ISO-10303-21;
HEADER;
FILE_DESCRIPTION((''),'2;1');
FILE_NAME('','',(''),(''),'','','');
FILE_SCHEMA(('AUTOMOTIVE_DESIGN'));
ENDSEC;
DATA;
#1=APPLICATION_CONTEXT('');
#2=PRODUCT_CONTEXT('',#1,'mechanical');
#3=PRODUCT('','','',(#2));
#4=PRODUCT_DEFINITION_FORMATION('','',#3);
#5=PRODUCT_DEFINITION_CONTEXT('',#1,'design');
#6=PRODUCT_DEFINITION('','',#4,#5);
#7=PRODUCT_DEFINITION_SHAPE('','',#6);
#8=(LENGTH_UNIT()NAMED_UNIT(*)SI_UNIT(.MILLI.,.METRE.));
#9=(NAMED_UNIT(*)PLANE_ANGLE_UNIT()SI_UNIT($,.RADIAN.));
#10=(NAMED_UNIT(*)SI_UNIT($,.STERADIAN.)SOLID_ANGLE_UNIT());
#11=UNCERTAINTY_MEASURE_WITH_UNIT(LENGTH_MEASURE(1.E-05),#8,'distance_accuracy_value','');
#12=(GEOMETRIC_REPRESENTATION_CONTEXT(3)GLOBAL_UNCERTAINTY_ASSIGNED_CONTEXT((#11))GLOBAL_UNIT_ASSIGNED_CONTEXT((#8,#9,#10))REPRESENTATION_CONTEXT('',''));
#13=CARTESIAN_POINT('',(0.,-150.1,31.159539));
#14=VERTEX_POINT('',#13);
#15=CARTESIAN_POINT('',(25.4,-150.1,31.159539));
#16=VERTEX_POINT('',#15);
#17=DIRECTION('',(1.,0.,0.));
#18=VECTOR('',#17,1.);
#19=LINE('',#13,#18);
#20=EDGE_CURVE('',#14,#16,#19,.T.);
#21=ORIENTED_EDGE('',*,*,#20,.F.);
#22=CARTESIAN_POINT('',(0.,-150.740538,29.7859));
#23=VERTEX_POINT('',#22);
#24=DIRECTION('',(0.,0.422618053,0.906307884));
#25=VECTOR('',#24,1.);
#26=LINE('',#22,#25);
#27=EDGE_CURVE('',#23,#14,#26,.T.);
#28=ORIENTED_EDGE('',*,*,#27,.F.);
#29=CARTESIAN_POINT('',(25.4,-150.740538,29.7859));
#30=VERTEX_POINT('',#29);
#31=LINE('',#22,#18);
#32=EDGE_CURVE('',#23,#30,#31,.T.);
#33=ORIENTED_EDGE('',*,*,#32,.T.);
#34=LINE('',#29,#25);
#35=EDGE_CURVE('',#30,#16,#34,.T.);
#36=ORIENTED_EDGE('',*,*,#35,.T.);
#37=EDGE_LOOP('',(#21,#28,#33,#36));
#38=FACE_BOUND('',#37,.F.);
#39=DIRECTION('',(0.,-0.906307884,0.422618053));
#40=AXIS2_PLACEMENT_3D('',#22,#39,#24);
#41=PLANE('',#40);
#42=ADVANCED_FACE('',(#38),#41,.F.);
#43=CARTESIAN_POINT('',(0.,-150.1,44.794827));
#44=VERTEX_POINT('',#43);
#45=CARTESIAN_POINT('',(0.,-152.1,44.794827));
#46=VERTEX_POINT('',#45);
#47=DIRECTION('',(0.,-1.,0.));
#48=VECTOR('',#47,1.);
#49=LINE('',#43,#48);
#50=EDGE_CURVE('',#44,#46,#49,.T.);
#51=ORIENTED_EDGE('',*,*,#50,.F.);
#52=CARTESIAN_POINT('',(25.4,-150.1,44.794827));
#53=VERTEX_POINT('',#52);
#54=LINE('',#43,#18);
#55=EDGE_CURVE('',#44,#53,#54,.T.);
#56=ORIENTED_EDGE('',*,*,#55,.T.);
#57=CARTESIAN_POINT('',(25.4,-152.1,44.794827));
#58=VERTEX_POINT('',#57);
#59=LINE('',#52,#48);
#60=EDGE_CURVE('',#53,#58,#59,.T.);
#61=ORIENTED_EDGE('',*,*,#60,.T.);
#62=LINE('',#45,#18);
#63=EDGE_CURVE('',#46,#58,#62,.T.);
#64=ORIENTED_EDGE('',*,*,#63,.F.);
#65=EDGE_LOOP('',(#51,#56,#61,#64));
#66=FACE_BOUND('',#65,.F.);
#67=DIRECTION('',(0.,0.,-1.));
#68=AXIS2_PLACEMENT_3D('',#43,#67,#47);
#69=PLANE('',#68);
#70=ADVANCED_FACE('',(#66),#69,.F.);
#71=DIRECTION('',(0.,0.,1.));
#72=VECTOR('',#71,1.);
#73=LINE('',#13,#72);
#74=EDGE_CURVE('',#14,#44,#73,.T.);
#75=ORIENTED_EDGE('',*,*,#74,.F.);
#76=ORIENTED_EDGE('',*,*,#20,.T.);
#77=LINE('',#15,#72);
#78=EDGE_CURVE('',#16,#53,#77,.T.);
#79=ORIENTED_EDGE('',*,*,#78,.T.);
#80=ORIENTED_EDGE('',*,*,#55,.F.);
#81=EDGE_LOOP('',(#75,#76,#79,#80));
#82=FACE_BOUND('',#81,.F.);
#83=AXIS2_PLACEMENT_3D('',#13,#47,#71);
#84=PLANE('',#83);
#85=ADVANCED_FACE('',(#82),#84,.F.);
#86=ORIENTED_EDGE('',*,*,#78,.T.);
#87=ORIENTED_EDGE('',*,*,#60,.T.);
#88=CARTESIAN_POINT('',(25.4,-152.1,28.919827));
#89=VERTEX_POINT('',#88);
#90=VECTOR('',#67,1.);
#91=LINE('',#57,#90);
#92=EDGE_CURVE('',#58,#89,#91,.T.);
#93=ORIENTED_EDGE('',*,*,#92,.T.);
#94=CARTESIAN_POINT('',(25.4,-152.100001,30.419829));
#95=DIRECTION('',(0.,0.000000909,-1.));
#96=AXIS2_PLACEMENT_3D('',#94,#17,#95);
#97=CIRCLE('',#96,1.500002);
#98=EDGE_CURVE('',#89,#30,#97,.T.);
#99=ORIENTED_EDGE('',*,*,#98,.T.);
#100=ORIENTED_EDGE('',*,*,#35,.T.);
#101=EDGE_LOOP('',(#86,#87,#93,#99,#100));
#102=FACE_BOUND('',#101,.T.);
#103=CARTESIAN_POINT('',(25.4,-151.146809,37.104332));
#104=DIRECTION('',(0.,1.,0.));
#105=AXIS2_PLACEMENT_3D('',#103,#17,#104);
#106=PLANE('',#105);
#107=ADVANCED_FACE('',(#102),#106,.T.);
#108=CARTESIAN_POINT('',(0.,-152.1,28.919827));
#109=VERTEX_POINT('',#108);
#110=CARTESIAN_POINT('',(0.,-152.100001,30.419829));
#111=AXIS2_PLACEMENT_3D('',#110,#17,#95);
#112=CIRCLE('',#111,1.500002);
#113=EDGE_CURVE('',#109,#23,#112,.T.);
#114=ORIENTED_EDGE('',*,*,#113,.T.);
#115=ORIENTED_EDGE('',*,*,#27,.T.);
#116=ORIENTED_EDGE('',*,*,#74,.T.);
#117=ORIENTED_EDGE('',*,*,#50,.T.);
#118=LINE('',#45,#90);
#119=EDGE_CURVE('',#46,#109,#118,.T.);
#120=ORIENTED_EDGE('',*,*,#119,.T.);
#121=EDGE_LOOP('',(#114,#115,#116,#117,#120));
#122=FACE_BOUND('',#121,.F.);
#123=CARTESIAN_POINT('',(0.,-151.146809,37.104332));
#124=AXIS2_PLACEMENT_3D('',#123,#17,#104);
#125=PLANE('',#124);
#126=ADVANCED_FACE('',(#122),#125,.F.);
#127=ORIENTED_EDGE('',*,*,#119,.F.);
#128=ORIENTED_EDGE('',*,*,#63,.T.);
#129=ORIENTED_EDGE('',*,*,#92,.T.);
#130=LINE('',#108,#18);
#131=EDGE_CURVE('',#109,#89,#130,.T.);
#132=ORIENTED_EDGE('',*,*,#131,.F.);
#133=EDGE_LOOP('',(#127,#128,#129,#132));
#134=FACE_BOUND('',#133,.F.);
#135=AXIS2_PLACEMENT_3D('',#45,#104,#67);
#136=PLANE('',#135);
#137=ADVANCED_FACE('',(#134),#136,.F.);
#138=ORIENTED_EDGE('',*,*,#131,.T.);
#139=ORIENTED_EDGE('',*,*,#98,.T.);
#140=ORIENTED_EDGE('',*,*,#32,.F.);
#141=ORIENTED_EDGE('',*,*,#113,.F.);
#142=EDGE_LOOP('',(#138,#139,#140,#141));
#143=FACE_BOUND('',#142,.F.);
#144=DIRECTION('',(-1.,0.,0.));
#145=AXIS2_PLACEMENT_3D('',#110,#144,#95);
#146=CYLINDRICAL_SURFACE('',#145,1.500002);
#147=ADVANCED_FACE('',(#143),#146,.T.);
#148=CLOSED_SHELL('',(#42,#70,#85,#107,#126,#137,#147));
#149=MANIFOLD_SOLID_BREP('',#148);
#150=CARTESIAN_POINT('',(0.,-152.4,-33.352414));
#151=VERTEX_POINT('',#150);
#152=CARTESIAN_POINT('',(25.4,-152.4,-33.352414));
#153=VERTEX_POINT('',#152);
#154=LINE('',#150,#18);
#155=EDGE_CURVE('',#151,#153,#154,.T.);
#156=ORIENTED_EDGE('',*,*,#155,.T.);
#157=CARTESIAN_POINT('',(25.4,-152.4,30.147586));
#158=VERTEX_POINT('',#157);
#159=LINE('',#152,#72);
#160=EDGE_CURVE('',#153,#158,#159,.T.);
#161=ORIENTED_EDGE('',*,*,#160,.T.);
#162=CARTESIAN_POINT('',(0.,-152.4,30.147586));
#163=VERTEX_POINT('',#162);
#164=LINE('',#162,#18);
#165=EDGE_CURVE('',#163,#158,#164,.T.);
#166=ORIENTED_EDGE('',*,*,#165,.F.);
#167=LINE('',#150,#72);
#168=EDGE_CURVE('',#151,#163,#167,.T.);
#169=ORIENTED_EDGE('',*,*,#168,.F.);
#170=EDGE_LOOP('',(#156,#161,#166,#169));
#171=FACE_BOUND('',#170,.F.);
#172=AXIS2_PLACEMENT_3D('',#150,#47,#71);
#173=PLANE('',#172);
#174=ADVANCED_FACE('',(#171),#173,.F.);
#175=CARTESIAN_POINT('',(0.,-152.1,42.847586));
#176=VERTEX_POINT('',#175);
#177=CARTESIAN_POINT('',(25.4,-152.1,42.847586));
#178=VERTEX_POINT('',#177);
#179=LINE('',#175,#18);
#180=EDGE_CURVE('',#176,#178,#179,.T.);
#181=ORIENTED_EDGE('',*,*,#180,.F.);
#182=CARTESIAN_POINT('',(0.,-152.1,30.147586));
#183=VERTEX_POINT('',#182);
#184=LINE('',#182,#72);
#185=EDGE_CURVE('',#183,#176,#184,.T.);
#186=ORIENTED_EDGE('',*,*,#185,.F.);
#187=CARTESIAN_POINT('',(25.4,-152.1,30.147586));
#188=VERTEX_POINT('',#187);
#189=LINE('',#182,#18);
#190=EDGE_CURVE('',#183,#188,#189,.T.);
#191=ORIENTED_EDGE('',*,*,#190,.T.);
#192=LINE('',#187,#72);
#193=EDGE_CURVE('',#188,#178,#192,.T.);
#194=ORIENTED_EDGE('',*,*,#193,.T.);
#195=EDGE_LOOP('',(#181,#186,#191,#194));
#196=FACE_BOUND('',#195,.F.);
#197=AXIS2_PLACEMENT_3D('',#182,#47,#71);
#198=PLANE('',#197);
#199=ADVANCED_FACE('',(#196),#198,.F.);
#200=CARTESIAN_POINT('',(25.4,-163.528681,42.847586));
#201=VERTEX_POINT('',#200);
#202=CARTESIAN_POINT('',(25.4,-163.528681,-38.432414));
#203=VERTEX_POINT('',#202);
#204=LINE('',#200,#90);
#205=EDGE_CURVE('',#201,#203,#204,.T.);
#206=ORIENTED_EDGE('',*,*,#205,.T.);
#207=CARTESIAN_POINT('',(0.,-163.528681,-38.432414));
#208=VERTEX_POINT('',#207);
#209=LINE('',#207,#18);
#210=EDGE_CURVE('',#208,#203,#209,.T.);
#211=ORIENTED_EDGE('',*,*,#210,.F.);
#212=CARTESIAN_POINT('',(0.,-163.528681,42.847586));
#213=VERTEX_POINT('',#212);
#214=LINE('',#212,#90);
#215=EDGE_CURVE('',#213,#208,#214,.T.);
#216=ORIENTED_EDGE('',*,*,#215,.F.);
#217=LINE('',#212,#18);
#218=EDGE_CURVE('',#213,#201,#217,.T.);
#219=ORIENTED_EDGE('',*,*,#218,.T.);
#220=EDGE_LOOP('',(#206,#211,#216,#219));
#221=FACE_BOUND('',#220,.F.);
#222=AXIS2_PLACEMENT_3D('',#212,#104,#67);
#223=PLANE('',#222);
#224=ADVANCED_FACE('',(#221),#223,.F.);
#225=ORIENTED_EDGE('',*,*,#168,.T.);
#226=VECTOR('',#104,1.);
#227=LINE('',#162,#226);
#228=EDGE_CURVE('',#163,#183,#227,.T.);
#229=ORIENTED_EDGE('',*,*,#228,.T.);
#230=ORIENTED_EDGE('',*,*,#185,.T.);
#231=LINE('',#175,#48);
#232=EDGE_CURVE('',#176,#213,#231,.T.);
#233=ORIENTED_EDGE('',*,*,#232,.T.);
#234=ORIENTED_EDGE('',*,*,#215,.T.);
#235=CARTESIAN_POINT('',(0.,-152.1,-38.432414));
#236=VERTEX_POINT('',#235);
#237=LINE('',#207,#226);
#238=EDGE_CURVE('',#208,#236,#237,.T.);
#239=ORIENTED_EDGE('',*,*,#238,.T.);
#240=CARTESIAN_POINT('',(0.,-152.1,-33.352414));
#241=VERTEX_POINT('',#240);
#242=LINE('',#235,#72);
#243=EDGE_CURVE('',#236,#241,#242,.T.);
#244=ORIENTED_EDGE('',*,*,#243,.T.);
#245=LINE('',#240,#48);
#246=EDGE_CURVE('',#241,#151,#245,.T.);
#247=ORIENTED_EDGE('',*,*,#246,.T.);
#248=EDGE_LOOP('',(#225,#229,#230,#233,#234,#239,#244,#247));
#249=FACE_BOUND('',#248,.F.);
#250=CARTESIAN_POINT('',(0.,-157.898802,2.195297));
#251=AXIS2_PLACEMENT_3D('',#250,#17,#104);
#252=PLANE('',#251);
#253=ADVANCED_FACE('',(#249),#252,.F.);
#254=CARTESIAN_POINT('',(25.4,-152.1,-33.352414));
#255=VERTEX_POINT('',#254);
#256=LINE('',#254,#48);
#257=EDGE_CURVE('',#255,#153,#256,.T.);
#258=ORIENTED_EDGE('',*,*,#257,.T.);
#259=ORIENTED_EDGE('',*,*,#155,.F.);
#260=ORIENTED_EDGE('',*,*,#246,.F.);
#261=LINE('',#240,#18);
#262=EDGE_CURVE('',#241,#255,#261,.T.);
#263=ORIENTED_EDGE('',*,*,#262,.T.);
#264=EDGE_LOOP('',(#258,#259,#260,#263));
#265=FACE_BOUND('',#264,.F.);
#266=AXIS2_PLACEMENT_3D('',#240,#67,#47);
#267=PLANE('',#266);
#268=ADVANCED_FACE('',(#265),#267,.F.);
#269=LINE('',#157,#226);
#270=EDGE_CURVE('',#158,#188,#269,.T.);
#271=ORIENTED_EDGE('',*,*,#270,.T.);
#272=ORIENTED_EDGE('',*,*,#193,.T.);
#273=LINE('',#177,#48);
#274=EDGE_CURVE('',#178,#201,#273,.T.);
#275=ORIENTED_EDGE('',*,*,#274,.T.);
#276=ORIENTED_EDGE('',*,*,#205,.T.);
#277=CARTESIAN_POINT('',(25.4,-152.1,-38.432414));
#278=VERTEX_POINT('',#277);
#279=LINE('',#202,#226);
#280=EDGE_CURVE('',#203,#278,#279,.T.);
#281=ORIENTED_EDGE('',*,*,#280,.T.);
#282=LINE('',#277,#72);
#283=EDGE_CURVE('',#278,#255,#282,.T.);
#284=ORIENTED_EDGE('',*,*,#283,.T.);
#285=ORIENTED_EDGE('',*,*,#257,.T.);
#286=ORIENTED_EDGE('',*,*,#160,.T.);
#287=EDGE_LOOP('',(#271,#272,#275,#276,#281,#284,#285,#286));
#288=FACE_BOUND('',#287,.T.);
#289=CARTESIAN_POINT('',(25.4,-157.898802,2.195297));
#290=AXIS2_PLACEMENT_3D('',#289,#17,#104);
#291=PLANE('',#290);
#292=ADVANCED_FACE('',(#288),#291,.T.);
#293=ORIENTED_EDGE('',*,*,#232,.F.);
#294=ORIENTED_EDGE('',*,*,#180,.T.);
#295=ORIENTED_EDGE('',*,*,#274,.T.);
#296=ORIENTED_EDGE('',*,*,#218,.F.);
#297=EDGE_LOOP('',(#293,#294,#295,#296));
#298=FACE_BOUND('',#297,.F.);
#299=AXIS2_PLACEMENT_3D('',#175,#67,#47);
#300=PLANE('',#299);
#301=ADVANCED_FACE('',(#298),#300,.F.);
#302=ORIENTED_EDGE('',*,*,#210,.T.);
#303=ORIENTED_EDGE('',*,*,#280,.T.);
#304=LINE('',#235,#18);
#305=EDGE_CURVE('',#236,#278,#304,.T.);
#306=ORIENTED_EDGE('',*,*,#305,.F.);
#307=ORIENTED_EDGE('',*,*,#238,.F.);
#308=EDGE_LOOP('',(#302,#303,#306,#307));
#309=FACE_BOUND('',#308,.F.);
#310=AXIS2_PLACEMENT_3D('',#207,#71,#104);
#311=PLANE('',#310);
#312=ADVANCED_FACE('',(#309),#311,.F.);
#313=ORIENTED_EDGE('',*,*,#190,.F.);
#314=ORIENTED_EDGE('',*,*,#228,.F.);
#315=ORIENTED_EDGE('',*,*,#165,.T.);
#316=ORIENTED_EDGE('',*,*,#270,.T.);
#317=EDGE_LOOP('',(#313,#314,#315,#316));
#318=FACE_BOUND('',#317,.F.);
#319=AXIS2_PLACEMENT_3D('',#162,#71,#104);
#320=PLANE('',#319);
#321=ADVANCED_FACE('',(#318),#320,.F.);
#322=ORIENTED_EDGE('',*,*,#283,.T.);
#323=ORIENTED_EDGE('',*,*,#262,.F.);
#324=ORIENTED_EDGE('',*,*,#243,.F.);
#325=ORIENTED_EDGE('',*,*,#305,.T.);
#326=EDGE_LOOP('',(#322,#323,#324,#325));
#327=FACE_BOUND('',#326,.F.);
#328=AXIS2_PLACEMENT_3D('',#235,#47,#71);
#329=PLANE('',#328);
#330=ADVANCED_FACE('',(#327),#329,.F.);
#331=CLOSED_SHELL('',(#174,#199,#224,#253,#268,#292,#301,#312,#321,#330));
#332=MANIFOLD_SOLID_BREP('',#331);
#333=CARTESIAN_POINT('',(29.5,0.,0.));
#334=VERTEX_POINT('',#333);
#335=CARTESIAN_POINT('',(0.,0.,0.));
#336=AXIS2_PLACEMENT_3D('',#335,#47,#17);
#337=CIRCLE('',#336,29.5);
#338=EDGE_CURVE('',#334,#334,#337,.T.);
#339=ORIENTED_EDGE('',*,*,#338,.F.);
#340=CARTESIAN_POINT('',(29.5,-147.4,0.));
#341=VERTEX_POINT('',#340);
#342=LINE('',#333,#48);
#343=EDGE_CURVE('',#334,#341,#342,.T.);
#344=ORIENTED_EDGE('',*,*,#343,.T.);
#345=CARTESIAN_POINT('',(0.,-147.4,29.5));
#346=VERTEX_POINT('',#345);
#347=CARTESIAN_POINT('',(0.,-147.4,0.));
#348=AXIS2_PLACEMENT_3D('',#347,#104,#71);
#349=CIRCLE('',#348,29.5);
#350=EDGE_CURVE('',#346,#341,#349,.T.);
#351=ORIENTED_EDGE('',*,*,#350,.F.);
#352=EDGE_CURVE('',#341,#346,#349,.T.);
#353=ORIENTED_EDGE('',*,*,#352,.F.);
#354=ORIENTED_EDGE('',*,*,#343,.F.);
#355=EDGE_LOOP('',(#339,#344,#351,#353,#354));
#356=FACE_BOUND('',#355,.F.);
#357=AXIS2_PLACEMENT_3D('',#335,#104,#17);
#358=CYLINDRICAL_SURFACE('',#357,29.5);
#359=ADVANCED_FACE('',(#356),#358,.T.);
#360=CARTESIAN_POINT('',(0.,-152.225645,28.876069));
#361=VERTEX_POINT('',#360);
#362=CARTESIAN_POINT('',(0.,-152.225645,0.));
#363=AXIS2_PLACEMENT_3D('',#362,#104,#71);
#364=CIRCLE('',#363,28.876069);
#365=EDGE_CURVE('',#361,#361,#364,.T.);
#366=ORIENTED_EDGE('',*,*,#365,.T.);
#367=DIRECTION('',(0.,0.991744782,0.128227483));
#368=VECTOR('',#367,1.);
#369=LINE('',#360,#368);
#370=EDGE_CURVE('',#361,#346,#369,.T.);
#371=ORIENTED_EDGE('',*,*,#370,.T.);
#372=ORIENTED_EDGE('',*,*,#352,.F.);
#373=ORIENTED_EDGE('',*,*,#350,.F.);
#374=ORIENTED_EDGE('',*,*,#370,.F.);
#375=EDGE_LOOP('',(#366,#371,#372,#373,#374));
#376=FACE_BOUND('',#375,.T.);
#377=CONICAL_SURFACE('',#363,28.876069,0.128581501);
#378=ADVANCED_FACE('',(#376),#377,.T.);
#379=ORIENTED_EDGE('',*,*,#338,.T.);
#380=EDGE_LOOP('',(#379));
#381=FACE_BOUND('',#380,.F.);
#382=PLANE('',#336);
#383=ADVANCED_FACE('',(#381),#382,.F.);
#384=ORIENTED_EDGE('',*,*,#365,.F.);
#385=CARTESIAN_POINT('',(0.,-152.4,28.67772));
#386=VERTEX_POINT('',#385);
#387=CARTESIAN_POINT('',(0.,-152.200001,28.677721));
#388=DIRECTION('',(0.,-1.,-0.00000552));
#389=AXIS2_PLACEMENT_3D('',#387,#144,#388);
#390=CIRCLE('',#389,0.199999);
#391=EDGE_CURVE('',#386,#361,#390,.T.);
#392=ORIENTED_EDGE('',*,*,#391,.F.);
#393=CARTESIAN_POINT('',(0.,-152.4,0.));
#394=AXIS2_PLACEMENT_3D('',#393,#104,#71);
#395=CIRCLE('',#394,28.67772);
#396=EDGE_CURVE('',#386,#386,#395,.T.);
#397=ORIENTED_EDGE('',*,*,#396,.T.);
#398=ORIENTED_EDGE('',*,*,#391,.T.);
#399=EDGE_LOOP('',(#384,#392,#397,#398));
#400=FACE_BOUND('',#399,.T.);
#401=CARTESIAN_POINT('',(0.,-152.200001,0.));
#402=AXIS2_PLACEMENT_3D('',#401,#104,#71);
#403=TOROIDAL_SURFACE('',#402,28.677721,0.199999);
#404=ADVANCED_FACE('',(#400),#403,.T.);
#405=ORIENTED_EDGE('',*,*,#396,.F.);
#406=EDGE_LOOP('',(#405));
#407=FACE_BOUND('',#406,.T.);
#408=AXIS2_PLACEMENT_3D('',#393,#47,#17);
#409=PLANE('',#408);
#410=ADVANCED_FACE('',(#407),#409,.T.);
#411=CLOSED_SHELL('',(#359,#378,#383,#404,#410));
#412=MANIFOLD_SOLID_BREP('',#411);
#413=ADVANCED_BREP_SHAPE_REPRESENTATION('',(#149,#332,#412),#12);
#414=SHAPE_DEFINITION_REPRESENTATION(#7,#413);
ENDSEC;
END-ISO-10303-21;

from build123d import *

# Parameters (mm, degrees)
F0_R     = 29.5
F1_DEPTH = 152.4
F5_DEPTH = 25.4
F7_DEPTH = 25.4


with BuildPart() as f1:
    # F0 (on Front) → F1 (new body)
    with BuildSketch(Plane.XZ):
        Circle(F0_R)
    extrude(amount=F1_DEPTH)

    # F2 (on Right) → F3 (revolve, cut)
    with BuildSketch(Plane.YZ):
        with BuildLine():
            Line((-147.4, 29.5), (-152.4, 29.5))
            Line((-152.4, 29.5), (-152.4, 28.67772))
            ThreePointArc((-152.4, 28.67772), (-152.350215, 28.809764), (-152.225645, 28.876069))
            Line((-152.225645, 28.876069), (-147.4, 29.5))
        make_face()
    revolve(axis=Axis((0, -70.144305, 0), (0, 1, 0)), mode=Mode.SUBTRACT)


with BuildPart() as f5:
    # F4 (on Right) → F5 (new body)
    with BuildSketch(Plane.YZ):
        Polygon((-152.1, 42.847586), (-163.528681, 42.847586), (-163.528681, -38.432414), (-152.1, -38.432414), (-152.1, -33.352414), (-152.4, -33.352414), (-152.4, 30.147586), (-152.1, 30.147586), align=None)
    extrude(amount=F5_DEPTH)


with BuildPart() as f7:
    # F6 (on Right) → F7 (new body)
    with BuildSketch(Plane.YZ):
        with BuildLine():
            Line((-152.1, 44.794827), (-152.1, 28.919827))
            ThreePointArc((-152.1, 28.919827), (-151.294051, 29.15474), (-150.740538, 29.7859))
            Line((-150.740538, 29.7859), (-150.1, 31.159539))
            Line((-150.1, 31.159539), (-150.1, 44.794827))
            Line((-150.1, 44.794827), (-152.1, 44.794827))
        make_face()
    extrude(amount=F7_DEPTH)


solid = Compound([f1.part, f5.part, f7.part])
